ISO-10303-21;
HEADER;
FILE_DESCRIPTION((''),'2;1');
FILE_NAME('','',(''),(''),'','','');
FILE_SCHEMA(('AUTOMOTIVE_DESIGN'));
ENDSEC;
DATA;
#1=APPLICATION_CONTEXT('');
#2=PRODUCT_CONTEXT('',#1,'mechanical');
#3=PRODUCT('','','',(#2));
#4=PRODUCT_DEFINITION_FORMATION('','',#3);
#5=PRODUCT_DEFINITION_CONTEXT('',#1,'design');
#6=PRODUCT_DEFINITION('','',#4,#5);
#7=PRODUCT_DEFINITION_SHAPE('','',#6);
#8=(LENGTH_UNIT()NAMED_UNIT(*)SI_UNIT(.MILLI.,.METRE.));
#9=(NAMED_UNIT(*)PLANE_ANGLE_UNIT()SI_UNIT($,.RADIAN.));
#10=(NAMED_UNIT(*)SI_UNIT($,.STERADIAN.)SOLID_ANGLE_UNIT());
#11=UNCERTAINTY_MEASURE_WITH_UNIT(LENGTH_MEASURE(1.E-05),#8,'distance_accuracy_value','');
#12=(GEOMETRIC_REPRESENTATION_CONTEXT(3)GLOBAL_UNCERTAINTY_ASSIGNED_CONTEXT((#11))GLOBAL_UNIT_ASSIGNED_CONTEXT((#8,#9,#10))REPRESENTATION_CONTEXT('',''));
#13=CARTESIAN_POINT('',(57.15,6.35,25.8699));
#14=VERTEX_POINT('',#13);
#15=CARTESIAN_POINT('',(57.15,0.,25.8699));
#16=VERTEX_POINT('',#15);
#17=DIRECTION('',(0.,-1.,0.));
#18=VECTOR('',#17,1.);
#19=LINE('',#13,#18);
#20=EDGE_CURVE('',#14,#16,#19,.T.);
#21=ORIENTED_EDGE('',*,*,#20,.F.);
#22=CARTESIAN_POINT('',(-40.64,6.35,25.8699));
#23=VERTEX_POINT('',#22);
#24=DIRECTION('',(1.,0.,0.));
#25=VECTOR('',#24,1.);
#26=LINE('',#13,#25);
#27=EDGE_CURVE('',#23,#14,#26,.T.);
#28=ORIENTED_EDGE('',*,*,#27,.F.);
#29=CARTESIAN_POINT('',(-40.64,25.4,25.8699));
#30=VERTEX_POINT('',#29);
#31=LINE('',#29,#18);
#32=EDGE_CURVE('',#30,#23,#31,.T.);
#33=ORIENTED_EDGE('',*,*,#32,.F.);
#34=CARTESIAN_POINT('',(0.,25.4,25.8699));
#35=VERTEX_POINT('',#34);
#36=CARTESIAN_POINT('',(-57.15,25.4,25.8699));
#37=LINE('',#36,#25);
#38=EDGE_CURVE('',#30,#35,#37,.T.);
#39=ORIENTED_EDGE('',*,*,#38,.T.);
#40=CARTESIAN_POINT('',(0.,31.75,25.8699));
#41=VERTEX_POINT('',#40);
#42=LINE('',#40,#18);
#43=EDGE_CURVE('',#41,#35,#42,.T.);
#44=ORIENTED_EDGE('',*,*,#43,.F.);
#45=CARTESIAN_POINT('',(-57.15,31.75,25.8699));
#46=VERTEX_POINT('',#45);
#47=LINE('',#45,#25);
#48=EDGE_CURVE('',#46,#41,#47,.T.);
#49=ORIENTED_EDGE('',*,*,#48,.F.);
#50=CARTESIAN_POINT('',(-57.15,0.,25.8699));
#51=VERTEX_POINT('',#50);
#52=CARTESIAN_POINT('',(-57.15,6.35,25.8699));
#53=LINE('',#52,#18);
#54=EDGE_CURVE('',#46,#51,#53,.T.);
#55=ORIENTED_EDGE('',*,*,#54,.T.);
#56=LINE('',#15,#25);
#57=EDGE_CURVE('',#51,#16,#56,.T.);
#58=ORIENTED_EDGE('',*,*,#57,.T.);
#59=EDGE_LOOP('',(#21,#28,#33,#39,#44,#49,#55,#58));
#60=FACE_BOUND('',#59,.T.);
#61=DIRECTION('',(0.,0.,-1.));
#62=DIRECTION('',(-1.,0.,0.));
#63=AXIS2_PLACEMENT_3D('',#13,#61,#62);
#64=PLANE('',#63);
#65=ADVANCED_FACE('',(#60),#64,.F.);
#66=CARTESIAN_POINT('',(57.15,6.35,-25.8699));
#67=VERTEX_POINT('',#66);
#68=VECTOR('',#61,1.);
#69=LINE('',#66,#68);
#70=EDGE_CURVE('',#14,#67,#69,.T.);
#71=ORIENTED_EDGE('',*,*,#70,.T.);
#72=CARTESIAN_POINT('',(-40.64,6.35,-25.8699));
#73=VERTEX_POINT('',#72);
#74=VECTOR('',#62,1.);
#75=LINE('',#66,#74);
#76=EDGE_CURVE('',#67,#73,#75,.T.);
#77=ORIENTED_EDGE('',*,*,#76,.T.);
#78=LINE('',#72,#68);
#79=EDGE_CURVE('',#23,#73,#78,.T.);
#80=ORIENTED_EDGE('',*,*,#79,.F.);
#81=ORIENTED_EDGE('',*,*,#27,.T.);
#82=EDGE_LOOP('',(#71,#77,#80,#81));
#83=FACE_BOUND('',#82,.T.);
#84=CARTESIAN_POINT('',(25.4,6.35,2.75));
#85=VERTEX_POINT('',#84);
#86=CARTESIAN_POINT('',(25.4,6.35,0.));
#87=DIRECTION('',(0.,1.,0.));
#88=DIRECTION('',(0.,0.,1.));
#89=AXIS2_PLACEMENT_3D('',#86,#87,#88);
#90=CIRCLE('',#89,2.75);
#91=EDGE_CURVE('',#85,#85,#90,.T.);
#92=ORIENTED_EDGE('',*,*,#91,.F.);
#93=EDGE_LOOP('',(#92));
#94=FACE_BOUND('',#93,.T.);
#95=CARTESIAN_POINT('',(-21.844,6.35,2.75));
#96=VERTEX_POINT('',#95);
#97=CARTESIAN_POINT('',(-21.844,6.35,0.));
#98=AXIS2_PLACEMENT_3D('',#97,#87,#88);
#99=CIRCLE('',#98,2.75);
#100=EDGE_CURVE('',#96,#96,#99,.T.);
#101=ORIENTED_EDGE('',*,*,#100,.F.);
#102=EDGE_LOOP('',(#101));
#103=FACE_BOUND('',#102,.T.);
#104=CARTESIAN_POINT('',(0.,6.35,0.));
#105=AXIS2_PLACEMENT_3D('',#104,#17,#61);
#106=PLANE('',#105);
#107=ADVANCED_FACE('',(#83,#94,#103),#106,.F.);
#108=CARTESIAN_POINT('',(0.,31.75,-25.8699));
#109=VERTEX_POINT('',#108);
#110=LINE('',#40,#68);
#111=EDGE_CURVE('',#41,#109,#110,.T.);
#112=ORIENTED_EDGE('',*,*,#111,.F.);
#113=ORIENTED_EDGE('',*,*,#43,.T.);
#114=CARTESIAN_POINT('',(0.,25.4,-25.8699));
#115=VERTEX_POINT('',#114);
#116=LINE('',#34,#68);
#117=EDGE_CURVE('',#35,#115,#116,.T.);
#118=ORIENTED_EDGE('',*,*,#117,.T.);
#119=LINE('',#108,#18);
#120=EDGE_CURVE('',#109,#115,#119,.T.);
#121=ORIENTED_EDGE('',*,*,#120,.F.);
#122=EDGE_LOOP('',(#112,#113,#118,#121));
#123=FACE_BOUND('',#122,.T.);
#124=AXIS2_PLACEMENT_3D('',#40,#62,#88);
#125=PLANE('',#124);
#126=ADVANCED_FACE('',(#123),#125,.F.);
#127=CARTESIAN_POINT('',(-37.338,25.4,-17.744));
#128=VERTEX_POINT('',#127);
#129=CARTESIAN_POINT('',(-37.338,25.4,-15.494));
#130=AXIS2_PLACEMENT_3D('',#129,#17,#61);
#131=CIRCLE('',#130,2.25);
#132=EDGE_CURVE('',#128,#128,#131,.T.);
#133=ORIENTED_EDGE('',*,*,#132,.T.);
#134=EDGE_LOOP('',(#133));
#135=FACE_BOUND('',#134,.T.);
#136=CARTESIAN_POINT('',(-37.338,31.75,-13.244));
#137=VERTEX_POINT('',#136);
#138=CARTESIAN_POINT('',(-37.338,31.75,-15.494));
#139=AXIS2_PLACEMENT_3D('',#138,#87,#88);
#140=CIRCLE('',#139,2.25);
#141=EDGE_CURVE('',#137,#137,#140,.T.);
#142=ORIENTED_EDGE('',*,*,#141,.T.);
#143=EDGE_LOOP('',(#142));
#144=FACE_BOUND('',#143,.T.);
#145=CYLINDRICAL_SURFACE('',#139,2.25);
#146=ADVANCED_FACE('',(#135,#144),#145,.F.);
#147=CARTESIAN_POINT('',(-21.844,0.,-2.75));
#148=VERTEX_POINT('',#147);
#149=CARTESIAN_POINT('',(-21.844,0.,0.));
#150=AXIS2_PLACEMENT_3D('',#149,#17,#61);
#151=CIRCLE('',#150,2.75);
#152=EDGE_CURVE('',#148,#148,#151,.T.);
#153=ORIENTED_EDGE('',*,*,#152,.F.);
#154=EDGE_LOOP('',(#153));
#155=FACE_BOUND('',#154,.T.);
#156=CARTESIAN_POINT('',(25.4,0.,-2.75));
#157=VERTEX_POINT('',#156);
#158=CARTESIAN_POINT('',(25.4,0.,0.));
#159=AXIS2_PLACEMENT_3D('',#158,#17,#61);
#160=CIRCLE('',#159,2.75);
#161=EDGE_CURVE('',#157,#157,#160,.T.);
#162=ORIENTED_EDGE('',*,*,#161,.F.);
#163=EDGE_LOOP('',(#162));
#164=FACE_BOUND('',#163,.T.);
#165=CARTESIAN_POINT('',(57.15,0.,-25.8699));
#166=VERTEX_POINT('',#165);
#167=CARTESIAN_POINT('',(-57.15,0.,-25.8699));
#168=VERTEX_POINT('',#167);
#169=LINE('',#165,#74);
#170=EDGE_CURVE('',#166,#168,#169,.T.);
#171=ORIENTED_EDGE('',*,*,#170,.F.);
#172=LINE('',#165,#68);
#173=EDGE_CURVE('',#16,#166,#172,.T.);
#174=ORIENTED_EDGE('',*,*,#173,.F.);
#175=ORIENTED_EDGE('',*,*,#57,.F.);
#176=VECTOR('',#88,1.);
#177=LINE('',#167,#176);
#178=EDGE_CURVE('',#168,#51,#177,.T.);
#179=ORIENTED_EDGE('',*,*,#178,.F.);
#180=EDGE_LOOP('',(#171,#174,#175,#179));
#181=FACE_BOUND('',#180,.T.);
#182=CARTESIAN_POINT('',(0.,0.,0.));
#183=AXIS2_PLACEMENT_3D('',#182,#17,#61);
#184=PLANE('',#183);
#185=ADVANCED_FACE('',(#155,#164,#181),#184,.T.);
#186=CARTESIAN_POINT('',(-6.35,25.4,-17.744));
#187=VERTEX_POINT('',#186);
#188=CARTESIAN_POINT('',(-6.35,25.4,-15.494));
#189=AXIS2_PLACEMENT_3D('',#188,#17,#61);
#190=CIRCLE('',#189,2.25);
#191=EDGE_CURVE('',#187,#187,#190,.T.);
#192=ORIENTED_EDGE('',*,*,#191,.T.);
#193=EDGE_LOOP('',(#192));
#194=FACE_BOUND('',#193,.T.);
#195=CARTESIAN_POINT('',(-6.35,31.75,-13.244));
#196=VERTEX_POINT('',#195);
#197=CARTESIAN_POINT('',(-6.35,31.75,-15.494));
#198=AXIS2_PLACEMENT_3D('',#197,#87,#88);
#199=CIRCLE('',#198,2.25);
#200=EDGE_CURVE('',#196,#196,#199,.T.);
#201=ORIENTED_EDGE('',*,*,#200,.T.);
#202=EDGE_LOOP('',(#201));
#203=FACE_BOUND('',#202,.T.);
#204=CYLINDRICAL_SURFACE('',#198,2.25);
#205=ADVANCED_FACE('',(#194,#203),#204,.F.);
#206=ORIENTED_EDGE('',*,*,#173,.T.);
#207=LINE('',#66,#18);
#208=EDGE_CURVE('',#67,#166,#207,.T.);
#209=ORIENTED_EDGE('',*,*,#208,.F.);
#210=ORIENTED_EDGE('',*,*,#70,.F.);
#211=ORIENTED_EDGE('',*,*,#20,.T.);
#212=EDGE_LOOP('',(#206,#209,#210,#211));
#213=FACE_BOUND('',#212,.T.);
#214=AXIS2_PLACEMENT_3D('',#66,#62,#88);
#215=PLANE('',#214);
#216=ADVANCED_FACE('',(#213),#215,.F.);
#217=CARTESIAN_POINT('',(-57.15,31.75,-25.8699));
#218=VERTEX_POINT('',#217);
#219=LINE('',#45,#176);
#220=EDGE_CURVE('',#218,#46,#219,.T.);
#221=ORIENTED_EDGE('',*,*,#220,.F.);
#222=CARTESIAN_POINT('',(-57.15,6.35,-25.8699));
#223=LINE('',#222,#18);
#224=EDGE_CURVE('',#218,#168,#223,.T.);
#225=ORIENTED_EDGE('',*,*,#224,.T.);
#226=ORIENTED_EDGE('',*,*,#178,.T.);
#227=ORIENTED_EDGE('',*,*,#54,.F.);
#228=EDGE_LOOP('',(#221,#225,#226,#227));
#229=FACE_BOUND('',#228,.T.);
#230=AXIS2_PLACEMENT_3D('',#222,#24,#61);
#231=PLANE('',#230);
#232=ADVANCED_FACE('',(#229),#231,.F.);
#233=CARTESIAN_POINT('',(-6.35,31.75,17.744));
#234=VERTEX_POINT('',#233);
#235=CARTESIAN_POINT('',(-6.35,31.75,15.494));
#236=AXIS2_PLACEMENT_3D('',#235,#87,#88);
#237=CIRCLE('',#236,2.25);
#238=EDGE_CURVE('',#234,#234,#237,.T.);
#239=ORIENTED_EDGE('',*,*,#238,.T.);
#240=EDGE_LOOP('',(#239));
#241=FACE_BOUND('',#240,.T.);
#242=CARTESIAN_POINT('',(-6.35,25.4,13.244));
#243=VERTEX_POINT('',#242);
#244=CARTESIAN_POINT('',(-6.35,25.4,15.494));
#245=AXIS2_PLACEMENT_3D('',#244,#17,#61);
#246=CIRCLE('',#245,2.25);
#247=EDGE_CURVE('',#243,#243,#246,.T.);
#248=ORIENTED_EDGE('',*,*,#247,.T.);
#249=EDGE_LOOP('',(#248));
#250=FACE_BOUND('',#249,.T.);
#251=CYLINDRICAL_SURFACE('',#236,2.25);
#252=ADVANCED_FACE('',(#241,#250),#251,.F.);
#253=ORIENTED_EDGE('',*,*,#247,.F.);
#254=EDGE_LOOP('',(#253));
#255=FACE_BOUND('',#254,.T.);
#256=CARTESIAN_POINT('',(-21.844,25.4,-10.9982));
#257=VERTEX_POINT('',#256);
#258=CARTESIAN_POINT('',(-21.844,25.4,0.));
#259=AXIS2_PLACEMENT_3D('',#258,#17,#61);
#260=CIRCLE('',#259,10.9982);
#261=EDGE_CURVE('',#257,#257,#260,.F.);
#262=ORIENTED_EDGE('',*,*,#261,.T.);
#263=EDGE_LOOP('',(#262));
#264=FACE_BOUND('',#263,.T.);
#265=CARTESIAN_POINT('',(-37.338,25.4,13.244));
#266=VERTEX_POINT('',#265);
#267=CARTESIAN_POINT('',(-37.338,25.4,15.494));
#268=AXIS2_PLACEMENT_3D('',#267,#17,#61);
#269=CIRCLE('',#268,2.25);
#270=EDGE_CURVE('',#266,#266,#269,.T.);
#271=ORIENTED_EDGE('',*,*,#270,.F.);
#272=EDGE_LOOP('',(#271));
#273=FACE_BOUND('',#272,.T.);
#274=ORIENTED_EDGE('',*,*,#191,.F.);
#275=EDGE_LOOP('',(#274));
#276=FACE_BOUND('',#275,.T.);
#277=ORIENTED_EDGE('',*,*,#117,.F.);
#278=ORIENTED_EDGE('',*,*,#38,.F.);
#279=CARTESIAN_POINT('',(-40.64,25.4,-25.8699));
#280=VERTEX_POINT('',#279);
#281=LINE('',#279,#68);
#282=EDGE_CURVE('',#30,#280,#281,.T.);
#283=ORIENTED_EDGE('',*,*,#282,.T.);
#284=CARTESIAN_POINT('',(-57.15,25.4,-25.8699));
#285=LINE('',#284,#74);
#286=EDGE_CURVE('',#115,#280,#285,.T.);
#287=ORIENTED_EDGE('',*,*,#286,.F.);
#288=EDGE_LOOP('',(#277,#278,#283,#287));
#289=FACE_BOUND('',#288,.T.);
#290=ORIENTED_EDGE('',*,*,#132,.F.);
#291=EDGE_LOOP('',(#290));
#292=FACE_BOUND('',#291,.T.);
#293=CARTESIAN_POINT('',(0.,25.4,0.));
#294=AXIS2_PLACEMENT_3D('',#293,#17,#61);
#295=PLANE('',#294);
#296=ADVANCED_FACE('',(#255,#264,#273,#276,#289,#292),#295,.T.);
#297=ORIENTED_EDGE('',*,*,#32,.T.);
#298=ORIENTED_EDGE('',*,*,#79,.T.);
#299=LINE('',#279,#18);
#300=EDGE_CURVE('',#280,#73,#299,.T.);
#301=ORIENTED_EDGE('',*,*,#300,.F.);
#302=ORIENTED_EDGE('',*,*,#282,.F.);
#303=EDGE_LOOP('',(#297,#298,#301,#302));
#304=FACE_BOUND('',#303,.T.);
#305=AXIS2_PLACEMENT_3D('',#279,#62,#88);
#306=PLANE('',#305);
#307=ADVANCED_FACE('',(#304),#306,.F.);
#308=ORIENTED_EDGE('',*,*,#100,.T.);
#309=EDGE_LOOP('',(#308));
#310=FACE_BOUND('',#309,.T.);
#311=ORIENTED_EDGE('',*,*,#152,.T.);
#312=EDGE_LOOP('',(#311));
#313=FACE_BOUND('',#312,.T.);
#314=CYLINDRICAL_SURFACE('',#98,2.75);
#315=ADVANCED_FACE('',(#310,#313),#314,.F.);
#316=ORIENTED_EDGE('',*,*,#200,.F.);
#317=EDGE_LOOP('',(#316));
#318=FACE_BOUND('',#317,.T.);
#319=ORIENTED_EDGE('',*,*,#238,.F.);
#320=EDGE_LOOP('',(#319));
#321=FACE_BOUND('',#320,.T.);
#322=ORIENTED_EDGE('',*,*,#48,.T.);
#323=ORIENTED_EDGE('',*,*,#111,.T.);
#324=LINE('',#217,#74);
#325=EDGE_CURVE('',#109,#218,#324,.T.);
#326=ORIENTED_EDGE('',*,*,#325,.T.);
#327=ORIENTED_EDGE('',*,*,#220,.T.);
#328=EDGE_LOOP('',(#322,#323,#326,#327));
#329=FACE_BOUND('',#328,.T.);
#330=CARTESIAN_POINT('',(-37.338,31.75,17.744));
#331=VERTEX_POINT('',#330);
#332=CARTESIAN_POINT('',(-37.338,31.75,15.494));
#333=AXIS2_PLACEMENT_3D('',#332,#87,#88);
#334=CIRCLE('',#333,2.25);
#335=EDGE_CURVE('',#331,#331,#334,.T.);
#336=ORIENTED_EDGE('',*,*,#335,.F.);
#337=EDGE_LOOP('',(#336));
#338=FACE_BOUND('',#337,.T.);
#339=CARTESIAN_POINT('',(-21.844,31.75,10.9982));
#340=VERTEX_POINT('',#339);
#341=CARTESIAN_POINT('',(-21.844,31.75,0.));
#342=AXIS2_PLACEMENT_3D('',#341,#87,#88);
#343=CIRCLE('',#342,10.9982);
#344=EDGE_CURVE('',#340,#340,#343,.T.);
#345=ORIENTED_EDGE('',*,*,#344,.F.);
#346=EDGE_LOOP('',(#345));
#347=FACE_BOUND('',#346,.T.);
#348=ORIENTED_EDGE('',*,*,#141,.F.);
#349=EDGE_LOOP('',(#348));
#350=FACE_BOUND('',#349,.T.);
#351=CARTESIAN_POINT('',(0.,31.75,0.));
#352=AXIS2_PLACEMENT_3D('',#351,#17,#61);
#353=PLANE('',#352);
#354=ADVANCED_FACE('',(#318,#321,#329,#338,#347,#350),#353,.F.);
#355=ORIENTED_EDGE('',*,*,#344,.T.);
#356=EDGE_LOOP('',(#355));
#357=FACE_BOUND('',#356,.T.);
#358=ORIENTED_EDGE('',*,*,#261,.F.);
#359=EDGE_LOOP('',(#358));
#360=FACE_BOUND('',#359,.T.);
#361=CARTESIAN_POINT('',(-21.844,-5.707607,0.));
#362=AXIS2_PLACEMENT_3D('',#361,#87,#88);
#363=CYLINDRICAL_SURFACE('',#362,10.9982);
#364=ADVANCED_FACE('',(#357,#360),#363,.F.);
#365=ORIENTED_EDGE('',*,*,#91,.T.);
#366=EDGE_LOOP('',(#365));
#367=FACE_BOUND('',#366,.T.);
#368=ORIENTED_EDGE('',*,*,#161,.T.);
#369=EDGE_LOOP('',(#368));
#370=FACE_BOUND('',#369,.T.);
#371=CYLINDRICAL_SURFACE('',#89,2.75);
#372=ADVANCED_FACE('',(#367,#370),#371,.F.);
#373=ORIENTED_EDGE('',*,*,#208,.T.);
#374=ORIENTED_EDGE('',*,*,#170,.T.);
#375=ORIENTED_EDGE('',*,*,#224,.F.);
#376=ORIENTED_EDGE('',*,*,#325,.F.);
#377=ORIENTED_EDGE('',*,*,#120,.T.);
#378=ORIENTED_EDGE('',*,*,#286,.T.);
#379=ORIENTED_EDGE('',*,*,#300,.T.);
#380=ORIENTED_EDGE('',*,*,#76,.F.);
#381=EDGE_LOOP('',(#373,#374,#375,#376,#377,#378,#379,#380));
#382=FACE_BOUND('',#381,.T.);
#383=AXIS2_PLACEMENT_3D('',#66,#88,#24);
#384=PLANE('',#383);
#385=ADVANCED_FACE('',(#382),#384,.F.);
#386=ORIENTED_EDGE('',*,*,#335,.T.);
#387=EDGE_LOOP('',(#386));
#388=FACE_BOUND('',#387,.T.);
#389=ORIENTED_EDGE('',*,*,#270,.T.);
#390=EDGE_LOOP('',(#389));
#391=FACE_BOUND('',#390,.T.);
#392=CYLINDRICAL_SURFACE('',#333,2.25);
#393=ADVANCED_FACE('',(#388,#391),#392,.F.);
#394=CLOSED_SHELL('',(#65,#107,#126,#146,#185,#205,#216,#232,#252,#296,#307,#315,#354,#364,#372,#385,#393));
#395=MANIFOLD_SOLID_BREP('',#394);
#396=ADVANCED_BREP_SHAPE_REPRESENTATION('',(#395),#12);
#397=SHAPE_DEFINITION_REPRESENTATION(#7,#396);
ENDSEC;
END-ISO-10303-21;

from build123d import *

# Parameters (mm, degrees)
SKETCH1_W                = 114.3
SKETCH1_H                = 51.7398
BOSS_EXTRUDE1_DEPTH      = 6.35
M5_CLEARANCE_HOLE1_D     = 5.5
M5_CLEARANCE_HOLE1_DEPTH = 6.35
SKETCH6_W                = 16.51
SKETCH6_H                = 51.7398
BOSS_EXTRUDE2_DEPTH      = 19.05
SKETCH7_W                = 57.15
SKETCH7_H                = 51.7398
BOSS_EXTRUDE3_DEPTH      = 6.35
SKETCH10_R               = 10.9982
CUT_EXTRUDE1_DEPTH       = 6.35
M4_CLEARANCE_HOLE1_D     = 4.5
M4_CLEARANCE_HOLE1_DEPTH = 6.35


with BuildPart() as part:
    # Sketch1 → Boss-Extrude1 (new body)
    with BuildSketch(Plane(origin=(0, 0, 0), x_dir=(1, 0, 0), z_dir=(0, 1, 0))):
        Rectangle(SKETCH1_W, SKETCH1_H)
    extrude(amount=BOSS_EXTRUDE1_DEPTH)

    # M5 Clearance Hole1
    with Locations(Plane(origin=(0, 6.35, 0), x_dir=(1, 0, 0), z_dir=(0, 1, 0))):
        with Locations((25.4, 0), (-21.844, 0)):
            Hole(M5_CLEARANCE_HOLE1_D / 2, depth=M5_CLEARANCE_HOLE1_DEPTH)

    # Sketch6 → Boss-Extrude2 (add)
    with BuildSketch(Plane(origin=(0, 6.35, 0), x_dir=(1, 0, 0), z_dir=(0, 1, 0))):
        with Locations((-48.895, 0)):
            Rectangle(SKETCH6_W, SKETCH6_H)
    extrude(amount=BOSS_EXTRUDE2_DEPTH)

    # Sketch7 → Boss-Extrude3 (add)
    with BuildSketch(Plane(origin=(0, 25.4, 0), x_dir=(1, 0, 0), z_dir=(0, 1, 0))):
        with Locations((-28.575, 0)):
            Rectangle(SKETCH7_W, SKETCH7_H)
    extrude(amount=BOSS_EXTRUDE3_DEPTH)

    # Sketch10 → Cut-Extrude1 (cut)
    with BuildSketch(Plane(origin=(0, 31.75, 0), x_dir=(1, 0, 0), z_dir=(0, 1, 0))):
        with Locations((-21.844, 0)):
            Circle(SKETCH10_R)
    extrude(amount=-CUT_EXTRUDE1_DEPTH, mode=Mode.SUBTRACT)

    # M4 Clearance Hole1
    with Locations(Plane(origin=(0, 31.75, 0), x_dir=(1, 0, 0), z_dir=(0, 1, 0))):
        with Locations((-6.35, 15.494), (-37.338, 15.494), (-37.338, -15.494), (-6.35, -15.494)):
            Hole(M4_CLEARANCE_HOLE1_D / 2, depth=M4_CLEARANCE_HOLE1_DEPTH)


solid = part.part
